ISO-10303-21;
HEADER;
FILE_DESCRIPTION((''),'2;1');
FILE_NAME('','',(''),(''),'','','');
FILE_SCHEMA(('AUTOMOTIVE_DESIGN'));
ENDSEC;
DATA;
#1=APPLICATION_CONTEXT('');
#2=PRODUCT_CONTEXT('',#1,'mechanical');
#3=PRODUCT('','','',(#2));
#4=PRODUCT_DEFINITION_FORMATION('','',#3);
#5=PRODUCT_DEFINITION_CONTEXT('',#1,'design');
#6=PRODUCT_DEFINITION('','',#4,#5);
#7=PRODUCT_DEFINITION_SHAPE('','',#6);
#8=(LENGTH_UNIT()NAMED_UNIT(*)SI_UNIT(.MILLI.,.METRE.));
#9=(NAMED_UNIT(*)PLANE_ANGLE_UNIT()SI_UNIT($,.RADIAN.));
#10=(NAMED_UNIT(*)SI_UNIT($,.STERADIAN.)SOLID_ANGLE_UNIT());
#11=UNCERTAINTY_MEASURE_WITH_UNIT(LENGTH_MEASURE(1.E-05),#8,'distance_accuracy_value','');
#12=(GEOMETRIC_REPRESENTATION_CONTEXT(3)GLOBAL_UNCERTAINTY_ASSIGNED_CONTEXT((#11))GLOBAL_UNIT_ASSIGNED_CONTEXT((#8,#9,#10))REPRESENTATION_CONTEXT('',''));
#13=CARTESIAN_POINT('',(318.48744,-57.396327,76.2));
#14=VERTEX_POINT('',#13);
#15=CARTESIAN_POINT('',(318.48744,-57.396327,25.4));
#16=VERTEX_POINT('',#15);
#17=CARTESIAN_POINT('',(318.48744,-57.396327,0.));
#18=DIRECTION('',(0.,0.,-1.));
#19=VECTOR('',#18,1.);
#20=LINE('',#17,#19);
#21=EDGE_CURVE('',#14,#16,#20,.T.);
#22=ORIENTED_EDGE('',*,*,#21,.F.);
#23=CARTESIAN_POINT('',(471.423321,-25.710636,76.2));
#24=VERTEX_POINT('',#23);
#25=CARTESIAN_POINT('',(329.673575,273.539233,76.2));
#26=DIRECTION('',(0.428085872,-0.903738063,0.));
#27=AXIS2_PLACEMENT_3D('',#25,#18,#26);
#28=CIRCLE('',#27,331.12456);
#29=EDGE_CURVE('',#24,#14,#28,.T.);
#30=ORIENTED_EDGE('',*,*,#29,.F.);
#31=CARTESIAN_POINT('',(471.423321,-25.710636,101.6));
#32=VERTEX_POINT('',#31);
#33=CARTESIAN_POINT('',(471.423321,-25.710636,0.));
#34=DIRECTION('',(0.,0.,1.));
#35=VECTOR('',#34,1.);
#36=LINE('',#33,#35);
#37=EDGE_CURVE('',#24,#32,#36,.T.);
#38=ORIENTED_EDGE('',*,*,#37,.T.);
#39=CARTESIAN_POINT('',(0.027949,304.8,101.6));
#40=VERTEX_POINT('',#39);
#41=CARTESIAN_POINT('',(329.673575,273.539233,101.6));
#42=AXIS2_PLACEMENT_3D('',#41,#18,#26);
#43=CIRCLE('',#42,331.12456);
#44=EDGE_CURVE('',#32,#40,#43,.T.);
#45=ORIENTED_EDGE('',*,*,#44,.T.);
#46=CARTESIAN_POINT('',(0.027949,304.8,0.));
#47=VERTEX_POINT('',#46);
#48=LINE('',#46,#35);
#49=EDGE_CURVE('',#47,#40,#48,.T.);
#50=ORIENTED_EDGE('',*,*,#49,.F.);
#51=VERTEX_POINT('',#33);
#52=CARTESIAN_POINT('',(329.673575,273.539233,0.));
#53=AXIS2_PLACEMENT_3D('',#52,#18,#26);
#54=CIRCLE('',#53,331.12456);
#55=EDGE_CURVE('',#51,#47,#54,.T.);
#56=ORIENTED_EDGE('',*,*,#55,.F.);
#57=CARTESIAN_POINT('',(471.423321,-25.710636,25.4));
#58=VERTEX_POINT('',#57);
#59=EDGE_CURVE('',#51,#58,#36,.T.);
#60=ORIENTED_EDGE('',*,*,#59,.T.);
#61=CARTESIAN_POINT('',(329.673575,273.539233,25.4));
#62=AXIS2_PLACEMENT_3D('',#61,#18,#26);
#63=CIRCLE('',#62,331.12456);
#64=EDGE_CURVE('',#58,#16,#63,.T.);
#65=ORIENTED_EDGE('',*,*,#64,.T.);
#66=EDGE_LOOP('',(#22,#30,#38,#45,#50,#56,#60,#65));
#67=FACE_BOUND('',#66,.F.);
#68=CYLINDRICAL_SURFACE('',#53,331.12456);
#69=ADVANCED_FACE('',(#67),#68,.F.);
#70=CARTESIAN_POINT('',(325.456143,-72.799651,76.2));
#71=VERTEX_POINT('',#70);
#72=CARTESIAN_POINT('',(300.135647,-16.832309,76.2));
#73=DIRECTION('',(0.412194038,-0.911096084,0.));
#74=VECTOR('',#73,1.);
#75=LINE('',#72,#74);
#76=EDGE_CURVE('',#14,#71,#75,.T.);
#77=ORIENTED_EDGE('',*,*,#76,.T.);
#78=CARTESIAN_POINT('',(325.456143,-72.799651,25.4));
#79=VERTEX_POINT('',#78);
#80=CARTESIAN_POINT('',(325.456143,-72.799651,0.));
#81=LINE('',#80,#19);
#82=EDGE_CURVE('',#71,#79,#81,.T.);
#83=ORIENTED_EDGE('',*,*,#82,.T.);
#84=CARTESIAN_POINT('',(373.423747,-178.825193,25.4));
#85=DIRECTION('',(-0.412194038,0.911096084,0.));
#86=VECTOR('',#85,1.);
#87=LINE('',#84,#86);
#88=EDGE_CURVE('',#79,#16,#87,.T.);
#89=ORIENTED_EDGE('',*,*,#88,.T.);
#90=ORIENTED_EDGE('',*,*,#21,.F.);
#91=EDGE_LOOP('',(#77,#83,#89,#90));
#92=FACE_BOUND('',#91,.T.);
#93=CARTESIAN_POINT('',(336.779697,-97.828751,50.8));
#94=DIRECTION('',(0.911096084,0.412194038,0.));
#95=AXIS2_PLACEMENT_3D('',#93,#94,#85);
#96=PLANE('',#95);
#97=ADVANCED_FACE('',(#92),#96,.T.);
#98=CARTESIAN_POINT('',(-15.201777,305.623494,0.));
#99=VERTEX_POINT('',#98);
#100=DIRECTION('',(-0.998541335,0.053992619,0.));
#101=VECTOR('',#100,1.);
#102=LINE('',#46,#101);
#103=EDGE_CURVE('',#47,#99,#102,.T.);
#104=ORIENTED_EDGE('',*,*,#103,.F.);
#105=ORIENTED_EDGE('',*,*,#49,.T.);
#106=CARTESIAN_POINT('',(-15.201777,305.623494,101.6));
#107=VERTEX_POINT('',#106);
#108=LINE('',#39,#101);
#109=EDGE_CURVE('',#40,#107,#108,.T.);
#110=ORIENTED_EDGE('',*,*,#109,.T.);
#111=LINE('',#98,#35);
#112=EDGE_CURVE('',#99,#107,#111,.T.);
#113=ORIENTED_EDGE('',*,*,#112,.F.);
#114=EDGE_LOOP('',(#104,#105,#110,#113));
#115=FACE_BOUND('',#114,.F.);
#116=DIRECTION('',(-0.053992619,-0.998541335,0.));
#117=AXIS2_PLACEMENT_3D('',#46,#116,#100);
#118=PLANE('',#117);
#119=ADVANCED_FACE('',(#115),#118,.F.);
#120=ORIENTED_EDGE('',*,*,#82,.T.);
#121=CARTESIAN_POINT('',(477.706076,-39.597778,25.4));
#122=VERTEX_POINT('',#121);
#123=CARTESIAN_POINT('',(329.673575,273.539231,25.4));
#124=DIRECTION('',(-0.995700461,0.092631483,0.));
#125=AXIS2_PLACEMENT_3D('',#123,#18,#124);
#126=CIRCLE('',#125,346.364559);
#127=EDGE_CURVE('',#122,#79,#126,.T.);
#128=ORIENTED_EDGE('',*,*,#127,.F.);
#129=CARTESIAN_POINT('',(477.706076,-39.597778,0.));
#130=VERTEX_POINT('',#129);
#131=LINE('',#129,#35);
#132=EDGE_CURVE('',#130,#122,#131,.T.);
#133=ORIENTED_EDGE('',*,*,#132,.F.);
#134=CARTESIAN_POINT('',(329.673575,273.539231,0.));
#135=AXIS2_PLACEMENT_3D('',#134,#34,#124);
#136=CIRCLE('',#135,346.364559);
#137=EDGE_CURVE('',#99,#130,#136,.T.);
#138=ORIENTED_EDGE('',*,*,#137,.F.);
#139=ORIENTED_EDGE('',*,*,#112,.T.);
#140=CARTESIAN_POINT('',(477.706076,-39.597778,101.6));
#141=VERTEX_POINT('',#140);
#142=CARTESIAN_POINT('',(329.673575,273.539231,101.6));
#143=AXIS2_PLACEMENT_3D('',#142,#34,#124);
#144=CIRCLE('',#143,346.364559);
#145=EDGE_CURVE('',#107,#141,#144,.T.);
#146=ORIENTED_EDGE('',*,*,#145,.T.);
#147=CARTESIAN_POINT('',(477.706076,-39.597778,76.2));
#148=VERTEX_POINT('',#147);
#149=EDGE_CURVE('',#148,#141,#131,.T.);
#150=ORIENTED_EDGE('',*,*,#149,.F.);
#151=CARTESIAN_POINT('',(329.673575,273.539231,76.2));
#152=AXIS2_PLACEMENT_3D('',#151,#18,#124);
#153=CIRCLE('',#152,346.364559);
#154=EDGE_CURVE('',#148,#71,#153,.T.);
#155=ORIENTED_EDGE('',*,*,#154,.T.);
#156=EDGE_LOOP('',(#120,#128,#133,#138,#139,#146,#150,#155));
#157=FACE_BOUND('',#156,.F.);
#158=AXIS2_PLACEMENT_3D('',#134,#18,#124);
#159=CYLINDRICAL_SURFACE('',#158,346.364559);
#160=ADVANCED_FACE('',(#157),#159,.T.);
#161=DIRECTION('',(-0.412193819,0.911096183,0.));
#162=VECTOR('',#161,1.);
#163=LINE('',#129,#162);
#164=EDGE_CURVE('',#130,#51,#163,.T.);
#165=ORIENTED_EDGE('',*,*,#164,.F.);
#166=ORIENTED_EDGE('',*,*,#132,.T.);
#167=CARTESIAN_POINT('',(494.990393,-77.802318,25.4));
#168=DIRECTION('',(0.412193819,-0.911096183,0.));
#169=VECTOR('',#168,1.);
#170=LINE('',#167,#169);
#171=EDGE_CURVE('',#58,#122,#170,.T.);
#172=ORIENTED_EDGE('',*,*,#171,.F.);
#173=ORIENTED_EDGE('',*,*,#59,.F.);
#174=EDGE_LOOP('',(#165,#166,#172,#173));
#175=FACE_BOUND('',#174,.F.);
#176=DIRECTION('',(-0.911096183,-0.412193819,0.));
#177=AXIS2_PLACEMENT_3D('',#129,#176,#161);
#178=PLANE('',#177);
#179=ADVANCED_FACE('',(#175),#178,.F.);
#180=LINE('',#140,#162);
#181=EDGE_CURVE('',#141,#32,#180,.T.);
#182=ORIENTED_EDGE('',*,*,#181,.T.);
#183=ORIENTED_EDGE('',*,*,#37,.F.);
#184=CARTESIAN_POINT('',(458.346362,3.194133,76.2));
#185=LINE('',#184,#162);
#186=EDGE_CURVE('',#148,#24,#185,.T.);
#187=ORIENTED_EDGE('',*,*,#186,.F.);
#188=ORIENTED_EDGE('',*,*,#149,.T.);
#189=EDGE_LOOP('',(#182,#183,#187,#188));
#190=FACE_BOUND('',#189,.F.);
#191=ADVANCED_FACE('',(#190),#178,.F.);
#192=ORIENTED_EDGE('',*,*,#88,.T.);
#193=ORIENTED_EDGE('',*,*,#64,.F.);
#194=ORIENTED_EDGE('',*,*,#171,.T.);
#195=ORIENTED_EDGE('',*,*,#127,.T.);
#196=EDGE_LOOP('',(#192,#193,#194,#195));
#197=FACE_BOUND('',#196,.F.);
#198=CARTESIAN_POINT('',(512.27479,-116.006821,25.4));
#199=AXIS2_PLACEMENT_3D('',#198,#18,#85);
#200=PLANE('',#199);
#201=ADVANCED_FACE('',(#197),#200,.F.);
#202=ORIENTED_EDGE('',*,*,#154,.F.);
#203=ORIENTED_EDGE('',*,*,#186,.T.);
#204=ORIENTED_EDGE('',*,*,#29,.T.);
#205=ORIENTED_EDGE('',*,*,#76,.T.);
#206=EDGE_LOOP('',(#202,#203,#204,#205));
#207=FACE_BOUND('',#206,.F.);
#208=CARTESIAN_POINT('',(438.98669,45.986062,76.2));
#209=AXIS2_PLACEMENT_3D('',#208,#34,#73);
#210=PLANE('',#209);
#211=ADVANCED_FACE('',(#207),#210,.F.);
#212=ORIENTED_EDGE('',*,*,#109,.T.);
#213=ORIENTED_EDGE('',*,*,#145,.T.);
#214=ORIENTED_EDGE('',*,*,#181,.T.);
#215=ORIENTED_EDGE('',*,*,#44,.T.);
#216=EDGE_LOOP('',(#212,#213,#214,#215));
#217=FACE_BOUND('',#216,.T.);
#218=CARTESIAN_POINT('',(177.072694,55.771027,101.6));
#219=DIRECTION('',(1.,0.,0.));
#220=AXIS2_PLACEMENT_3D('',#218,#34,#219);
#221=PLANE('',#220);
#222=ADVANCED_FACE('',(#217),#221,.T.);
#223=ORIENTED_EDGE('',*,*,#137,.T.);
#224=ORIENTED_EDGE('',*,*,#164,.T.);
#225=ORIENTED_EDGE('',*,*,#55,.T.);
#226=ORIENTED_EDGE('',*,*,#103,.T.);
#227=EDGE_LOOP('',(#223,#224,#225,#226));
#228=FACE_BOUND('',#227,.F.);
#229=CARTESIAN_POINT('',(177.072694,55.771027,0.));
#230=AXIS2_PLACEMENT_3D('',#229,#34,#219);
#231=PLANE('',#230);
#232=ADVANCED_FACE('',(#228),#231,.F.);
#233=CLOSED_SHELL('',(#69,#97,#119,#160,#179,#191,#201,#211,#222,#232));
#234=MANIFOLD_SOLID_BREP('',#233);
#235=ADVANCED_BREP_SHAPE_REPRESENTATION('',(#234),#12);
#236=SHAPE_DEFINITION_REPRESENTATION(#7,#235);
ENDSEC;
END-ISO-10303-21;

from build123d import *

# Parameters (mm, degrees)
F1_DEPTH = 101.6
F3_DEPTH = 152.4


with BuildPart() as f1:
    # F0 (on Top) → F1 (new body)
    with BuildSketch(Plane.XY):
        with BuildLine():
            ThreePointArc((471.423321, -25.710636), (139.580084, 2.415757), (0.027949, 304.8))
            Line((0.027949, 304.8), (-15.201777, 305.623494))
            ThreePointArc((-15.201777, 305.623494), (130.974786, -10.163429), (477.706076, -39.597778))
            Line((477.706076, -39.597778), (471.423321, -25.710636))
        make_face()
    extrude(amount=F1_DEPTH)

    # F2 (on face) → F3 (cut)
    with BuildSketch(Plane(origin=(381.67117, 172.673839, 0), x_dir=(-0.412194, 0.911096, 0), z_dir=(0.911096, 0.412194, 0))):
        Polygon((-139.049853, 76.2), (-316.849853, 76.2), (-316.849853, 25.4), (-232.984855, 25.4), (-139.049853, 25.4), align=None)
    extrude(amount=-F3_DEPTH, mode=Mode.SUBTRACT)


solid = f1.part
